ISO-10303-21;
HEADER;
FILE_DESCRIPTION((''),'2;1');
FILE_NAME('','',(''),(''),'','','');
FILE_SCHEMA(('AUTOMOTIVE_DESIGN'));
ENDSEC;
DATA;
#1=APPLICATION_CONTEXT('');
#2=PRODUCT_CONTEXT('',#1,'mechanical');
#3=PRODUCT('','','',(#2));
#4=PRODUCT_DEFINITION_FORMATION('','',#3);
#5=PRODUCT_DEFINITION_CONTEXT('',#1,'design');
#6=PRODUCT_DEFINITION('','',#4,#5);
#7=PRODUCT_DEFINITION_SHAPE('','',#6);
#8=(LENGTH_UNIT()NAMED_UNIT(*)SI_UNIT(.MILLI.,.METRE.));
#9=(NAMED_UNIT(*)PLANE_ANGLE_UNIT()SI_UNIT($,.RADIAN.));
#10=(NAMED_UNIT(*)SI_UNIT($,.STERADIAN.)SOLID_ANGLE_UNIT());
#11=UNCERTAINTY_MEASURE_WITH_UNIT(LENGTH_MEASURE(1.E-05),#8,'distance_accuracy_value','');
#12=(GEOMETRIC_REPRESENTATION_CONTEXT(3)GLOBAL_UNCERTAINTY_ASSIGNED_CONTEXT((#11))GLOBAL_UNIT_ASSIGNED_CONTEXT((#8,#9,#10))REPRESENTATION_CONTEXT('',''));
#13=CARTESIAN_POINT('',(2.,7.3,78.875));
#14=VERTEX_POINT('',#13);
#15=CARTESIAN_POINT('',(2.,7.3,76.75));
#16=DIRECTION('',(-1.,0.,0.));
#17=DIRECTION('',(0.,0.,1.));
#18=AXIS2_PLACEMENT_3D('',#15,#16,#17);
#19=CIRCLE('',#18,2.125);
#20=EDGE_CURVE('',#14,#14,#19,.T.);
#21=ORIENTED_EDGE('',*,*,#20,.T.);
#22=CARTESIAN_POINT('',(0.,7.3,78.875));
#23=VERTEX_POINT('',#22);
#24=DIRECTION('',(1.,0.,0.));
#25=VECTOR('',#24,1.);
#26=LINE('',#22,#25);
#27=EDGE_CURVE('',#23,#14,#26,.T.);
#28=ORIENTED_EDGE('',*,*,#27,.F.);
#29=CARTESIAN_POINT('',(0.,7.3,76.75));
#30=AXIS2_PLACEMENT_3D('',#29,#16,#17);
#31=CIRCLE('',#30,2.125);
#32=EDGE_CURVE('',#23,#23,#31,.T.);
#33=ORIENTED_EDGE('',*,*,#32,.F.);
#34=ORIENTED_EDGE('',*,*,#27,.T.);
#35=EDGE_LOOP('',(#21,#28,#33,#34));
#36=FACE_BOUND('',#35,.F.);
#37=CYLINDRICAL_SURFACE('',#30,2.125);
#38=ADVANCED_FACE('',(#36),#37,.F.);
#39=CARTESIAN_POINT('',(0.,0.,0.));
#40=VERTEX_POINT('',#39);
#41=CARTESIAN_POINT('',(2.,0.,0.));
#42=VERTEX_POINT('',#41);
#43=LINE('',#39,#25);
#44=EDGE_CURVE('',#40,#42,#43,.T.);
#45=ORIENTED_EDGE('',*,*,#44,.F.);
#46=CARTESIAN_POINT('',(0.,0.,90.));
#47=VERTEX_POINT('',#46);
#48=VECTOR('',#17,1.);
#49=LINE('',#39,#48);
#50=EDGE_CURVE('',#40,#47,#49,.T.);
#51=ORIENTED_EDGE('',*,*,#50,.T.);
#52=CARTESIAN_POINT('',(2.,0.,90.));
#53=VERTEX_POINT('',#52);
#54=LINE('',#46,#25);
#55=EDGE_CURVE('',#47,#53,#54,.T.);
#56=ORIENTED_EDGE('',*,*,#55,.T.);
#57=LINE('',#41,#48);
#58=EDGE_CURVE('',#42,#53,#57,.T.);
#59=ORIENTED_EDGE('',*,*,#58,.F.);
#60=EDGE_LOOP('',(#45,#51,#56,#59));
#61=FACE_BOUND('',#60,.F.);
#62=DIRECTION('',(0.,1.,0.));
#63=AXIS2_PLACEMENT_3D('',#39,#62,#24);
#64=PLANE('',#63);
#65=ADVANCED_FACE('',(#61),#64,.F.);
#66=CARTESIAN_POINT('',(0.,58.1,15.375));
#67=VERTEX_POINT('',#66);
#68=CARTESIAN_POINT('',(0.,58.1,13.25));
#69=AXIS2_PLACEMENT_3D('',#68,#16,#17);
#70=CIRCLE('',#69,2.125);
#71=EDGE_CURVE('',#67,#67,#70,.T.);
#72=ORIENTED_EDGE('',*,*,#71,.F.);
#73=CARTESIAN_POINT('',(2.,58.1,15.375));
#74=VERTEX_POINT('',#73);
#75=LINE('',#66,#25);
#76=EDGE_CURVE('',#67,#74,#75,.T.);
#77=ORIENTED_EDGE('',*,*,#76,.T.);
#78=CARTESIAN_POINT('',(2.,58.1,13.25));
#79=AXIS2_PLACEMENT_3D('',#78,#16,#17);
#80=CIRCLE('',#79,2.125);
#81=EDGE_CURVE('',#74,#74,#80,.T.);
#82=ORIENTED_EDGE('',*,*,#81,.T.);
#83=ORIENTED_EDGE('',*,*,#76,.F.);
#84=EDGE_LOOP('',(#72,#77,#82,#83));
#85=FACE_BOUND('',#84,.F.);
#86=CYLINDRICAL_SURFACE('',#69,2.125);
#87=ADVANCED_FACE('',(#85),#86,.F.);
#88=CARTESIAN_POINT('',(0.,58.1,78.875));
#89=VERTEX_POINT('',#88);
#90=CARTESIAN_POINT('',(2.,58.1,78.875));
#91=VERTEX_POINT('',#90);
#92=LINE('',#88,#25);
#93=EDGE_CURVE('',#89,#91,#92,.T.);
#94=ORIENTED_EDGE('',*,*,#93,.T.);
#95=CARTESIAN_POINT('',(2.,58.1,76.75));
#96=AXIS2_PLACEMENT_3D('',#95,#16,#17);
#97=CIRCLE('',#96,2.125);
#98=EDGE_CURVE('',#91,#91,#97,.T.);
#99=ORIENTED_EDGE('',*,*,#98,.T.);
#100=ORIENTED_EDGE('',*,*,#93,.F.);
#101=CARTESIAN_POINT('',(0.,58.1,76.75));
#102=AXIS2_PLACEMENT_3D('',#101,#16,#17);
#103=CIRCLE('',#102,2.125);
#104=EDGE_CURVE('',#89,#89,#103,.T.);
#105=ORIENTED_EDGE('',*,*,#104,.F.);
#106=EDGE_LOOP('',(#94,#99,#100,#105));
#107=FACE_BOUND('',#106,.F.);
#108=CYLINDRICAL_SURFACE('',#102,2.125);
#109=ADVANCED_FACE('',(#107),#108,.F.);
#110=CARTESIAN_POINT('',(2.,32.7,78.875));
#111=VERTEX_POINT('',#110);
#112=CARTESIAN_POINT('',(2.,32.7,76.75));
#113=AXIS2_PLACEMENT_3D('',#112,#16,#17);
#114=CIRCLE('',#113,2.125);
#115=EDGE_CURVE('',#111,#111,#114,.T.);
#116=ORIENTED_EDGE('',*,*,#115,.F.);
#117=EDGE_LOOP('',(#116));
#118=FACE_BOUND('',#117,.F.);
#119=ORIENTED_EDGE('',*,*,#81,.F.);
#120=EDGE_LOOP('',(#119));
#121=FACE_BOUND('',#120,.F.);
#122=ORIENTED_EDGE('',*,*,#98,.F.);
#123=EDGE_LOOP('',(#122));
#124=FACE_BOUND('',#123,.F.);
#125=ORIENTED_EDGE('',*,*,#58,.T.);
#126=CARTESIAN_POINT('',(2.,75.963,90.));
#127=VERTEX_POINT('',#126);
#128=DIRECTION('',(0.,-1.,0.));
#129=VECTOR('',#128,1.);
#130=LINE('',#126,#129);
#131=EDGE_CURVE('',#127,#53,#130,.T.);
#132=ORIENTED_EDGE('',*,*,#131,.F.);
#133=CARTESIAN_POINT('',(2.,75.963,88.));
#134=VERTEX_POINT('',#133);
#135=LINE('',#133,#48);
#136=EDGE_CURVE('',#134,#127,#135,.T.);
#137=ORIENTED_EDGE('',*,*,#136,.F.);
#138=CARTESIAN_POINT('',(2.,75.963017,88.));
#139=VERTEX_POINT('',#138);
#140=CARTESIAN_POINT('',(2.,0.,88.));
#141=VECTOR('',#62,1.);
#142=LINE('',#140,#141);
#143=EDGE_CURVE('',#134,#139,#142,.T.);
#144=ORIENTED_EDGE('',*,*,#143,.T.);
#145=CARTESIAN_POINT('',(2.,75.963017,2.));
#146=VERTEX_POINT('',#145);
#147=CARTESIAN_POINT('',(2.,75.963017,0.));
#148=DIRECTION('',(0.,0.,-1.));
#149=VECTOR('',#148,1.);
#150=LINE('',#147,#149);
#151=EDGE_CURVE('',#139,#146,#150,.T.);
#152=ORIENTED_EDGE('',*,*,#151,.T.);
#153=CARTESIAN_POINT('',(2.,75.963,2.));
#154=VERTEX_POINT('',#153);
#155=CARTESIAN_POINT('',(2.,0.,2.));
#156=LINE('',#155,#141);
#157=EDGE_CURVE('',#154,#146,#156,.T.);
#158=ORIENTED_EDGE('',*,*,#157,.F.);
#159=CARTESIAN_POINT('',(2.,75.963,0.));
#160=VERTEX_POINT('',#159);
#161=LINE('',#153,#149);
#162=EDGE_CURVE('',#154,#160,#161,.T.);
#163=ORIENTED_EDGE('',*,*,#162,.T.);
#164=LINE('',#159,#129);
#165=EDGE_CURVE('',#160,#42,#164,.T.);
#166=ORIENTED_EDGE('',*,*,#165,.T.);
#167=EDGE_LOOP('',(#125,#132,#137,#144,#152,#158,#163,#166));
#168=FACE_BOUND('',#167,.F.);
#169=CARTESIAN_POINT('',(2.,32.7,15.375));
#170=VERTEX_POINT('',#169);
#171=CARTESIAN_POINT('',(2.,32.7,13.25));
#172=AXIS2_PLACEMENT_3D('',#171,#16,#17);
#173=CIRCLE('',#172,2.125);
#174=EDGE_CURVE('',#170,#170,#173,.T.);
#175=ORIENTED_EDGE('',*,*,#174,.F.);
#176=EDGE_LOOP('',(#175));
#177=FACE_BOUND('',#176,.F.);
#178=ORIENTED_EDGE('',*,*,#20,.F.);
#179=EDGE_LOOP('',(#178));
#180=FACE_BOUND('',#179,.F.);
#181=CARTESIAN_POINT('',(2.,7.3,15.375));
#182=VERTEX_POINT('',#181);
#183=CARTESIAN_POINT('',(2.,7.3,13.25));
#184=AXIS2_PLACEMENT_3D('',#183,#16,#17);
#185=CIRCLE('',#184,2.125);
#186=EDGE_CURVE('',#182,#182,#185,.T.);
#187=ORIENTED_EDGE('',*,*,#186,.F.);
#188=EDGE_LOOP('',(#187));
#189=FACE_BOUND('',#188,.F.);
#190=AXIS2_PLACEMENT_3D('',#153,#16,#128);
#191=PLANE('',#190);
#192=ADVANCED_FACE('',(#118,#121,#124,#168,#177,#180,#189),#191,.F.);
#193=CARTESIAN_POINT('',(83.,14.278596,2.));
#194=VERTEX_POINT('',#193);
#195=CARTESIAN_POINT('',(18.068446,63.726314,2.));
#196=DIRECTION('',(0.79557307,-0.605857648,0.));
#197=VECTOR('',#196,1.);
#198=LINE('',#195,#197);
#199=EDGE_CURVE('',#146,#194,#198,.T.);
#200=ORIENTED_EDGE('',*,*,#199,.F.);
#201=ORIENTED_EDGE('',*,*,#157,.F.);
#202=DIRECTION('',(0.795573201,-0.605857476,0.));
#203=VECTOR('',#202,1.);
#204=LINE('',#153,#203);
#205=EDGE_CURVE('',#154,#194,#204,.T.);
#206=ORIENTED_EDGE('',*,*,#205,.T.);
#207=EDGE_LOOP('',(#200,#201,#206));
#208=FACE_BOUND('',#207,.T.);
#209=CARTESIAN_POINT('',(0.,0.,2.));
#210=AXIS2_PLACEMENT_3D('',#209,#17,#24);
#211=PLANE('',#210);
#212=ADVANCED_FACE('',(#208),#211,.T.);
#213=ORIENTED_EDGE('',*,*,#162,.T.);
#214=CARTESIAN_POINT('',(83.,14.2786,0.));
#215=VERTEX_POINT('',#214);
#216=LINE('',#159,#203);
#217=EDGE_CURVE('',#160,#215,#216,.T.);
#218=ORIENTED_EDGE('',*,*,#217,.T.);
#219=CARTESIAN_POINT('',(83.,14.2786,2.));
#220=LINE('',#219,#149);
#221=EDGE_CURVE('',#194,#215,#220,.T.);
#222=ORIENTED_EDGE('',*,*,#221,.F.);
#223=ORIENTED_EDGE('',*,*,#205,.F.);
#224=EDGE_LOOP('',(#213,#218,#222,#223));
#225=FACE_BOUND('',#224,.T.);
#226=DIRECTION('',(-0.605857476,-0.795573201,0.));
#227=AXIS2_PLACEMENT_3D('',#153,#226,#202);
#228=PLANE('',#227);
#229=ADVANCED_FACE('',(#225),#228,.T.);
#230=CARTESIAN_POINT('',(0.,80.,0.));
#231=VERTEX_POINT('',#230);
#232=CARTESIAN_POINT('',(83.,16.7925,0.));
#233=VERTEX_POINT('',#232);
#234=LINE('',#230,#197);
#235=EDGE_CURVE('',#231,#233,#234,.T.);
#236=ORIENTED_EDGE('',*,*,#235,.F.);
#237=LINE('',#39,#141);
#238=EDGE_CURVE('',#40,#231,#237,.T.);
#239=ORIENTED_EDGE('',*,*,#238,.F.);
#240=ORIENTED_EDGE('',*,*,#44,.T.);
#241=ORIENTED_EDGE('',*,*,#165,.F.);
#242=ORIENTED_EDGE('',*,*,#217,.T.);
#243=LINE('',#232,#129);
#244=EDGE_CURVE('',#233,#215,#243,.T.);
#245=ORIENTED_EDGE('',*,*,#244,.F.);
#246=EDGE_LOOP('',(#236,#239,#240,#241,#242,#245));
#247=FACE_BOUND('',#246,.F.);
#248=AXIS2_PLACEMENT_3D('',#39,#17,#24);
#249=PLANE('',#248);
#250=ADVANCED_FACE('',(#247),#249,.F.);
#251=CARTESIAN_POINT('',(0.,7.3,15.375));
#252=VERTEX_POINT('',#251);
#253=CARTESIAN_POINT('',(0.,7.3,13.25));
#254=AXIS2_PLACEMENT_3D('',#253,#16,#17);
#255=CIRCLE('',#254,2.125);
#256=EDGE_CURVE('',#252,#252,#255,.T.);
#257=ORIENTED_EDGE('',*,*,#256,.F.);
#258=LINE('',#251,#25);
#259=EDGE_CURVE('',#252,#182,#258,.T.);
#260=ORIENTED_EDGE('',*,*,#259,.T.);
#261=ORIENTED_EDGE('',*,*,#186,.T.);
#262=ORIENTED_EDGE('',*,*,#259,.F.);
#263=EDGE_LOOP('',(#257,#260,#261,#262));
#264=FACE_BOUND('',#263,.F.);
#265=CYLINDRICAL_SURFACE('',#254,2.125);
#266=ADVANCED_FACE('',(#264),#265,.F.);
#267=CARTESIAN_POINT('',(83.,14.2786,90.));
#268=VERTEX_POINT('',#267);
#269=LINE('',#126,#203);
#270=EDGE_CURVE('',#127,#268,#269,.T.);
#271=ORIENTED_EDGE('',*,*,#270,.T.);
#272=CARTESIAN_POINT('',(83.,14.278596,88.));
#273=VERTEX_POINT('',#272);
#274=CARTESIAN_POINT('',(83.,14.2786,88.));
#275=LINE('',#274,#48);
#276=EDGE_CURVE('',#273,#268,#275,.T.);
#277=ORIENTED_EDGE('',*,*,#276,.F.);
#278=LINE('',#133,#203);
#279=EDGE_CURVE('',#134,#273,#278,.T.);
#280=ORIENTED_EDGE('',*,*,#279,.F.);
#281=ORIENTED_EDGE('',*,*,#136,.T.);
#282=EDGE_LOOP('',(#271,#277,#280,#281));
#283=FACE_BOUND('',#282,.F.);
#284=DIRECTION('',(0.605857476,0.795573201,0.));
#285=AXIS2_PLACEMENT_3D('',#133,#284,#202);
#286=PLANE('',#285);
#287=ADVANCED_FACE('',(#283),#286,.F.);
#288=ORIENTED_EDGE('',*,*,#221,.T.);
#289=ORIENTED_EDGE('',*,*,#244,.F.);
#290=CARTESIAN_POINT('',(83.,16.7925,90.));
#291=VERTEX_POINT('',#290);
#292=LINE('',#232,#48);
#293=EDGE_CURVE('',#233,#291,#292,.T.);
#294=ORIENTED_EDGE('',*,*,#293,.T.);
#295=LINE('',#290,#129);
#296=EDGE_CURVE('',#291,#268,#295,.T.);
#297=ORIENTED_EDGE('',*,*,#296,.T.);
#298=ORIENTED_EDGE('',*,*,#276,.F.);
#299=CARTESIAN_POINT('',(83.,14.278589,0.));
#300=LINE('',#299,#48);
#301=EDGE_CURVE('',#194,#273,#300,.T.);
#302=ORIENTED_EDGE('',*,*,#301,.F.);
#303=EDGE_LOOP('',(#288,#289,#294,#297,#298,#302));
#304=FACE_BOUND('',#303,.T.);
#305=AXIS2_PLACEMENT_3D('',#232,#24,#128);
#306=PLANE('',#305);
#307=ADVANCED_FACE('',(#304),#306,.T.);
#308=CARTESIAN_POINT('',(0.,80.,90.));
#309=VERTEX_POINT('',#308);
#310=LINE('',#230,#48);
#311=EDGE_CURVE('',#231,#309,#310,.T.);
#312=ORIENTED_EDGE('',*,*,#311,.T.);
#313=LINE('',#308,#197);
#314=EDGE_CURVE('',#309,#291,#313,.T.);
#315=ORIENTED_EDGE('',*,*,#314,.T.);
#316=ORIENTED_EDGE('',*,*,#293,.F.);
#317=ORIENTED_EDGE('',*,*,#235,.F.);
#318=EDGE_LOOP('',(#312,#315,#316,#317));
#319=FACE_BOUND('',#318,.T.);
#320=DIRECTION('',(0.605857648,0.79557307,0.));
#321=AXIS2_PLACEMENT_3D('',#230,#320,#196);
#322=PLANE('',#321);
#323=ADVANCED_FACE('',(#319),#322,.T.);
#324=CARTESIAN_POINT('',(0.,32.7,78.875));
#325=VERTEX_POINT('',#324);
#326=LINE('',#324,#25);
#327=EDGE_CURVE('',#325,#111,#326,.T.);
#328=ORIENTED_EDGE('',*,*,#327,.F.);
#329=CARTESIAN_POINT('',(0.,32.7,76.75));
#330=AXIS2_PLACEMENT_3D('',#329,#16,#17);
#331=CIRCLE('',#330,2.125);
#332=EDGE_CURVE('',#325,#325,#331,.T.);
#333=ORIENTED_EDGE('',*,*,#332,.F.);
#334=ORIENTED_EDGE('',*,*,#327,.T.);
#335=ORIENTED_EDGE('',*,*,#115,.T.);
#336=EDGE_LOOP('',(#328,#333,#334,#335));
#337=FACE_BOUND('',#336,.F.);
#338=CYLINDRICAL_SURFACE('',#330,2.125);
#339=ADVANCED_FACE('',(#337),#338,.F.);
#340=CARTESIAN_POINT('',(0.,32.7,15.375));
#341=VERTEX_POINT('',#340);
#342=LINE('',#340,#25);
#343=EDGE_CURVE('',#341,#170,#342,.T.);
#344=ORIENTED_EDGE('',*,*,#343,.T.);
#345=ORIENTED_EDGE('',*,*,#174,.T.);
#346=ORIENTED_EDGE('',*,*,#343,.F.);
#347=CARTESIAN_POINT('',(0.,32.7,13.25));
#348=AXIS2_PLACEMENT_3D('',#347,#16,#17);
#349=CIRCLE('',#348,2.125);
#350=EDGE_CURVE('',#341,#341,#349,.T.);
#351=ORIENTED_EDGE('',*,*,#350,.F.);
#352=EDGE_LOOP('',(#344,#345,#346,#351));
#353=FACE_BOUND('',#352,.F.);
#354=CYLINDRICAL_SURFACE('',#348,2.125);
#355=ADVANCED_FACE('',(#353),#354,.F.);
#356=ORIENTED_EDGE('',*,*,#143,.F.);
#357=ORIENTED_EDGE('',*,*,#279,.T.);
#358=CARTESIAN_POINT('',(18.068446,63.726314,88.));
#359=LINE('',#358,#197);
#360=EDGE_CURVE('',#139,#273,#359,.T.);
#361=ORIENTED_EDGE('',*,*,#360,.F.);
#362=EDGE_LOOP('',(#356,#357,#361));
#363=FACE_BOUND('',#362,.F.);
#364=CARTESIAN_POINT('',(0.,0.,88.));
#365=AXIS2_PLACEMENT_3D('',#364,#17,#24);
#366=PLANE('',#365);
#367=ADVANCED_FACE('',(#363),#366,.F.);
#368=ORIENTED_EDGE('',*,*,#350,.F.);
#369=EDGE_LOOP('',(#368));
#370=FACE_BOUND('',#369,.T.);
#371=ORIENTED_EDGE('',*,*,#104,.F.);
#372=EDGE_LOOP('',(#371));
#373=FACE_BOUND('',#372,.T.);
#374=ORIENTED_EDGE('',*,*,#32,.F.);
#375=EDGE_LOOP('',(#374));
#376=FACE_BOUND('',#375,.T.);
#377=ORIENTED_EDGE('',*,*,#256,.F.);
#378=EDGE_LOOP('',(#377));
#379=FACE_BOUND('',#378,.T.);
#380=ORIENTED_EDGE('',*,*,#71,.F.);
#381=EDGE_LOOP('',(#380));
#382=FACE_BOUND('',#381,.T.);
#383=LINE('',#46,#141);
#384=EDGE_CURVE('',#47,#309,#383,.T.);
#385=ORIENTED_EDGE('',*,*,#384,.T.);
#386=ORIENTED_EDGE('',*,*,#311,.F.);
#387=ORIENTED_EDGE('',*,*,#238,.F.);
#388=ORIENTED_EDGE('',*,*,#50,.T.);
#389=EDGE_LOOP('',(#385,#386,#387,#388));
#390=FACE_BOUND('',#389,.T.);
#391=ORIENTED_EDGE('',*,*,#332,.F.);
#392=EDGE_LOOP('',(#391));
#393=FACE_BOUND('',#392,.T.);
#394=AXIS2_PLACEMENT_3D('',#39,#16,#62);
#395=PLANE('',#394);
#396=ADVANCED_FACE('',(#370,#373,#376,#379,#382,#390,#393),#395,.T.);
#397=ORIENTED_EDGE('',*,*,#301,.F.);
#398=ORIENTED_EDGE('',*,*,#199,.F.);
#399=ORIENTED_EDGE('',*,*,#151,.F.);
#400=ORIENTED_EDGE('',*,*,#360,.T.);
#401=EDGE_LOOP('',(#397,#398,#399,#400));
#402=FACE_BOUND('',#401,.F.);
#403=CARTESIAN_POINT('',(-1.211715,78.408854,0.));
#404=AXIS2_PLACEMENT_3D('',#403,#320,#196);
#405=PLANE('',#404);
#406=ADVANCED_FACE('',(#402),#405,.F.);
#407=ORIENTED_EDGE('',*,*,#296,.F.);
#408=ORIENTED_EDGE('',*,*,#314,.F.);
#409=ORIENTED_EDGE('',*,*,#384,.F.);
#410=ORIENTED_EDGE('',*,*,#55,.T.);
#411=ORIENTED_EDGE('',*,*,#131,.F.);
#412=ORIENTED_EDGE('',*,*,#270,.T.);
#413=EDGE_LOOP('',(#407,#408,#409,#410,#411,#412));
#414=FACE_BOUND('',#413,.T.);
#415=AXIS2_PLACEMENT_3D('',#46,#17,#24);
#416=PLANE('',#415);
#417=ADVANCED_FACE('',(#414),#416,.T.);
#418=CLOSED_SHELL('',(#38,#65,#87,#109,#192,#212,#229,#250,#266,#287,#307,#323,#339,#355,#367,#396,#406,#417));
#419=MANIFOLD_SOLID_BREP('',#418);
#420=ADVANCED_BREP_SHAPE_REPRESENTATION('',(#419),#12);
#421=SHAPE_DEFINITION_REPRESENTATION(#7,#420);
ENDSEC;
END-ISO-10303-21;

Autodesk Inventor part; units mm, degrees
ref_plane "YZ Plane" through (0, 0, 0) normal (1, 0, 0) x (0, 1, 0)
ref_plane "XZ Plane" through (0, 0, 0) normal (0, 1, 0) x (-1, 0, 0)
ref_plane "XY Plane" through (0, 0, 0) normal (0, 0, 1) x (1, 0, 0)
sketch "Sketch1" plane through (0, 0, 0) normal (0, 0, 1) x (1, 0, 0)
  line L0 (0, 0) -> (0, 80)
  line L1 (0, 0) -> (83, 0)
  line L2 (83, 16.7925) -> (83, 0)
  line L3 (0, 80) -> (83, 16.7925)
  dimension "d0" = 80
  dimension "d1" = 83
extrude "Extrusion1" add sketch "Sketch1" along normal blind 90
shell "Shell1" thickness 2 removed faces 2 at (27.6667, 0, 60) at (83, 5.5975, 30)
sketch "Sketch2" plane through (0, 0, 0) normal (-1, 0, 0) x (0, 0, 1)
  circle A0 centre (13.25, 32.7) radius 2.125
  circle A1 centre (13.25, 7.3) radius 2.125
  circle A2 centre (76.75, 32.7) radius 2.125
  line L0 (90, 80) -> (90, 0) projected
  line L1 (0, 80) -> (0, 0) projected
  circle A3 centre (76.75, 7.3) radius 2.125
  line L2 (0, 0) -> (90, 0) projected
  line L3 (0, 80) -> (90, 80) projected
  circle A4 centre (13.25, 58.1) radius 2.125
  circle A5 centre (76.75, 58.1) radius 2.125
  dimension "d5" = 4.25
  dimension "d6" = 4.25
  dimension "d7" = 4.25
  dimension "d8" = 63.5
  dimension "d10" = 13.25
  dimension "d11" = 25.4
  dimension "d12" = 4.25
  dimension "d13" = 63.5
  dimension "d14" = 7.3
  dimension "d15" = 7.3
  dimension "d28" = 13.25
  dimension "d36" = 4.25
  dimension "d37" = 4.25
  dimension "d38" = 25.4
  dimension "d39" = 25.4
  dimension "d40" = 21.9
  dimension "d41" = 21.9
  dimension "d42" = 13.25
extrude "Extrusion2" cut sketch "Sketch2" against normal blind 2 contours A0 | A1 | A2 | A3 | A4 | A5
sketch "Sketch3" plane through (0, 0, 90) normal (0, 0, 1) x (1, 0, 0)
  circle A0 centre (78.5, 8.5093) radius 2.5
  line L0 (83, 0) -> (83, 16.7925) projected
  line L1 (83, 16.7925) -> (0, 80) projected
  point P0 (0, 0)
  point P1 (83, 8.3963)
  dimension "d19" = 5
  dimension "d20" = 4.5
  dimension "d21" = 9.3163
extrude "Extrusion3" cut sketch "Sketch3" against normal blind 2
sketch "Sketch4" plane through (0, 0, 0) normal (0, 0, -1) x (-1, 0, 0)
  circle A0 centre (-78.5, 8.5093) radius 2.5 projected
  circle A1 centre (-78.5, 8.5093) radius 2.5
  point P0 (0, 0)
  dimension "d24" = 5
extrude "Extrusion4" cut sketch "Sketch4" against normal blind 2
sketch "Sketch7" plane through (2, 0, 2) normal (0, 0, 1) x (1, 0, 0)
  line L0 (81, 0) -> (0, 0) projected
  line L1 (0, 75.963) -> (0, 0) projected
  line L2 (0, 0) -> (0, 75.963)
  line L3 (81, 14.2786) -> (81, 0) projected
  line L4 (0, 75.963) -> (81, 14.2786)
  line L5 (81, 14.2786) -> (81, 0)
  line L6 (81, 0) -> (0, 0)
  point P0 (-2, 0)
extrude "Extrusion7" cut sketch "Sketch7" against normal blind 2
sketch "Sketch8" plane through (83, 0, 88) normal (0, 0, -1) x (-1, 0, 0)
  line L0 (0, 0) -> (0, 14.2786) projected
  line L1 (0, 0) -> (0, 16.7925) projected
  line L2 (0, 14.2786) -> (0, 0)
  line L3 (81, 75.963) -> (81, 0) projected
  line L4 (0, 0) -> (81, 0)
  line L5 (81, 0) -> (81, 75.963)
  line L6 (81, 75.963) -> (0, 14.2786)
  line L7 (0, 16.7925) -> (83, 80) projected
  point P0 (83, 0)
extrude "Extrusion8" cut sketch "Sketch8" against normal blind 2
properties part number "P1D1_2Ramp"
